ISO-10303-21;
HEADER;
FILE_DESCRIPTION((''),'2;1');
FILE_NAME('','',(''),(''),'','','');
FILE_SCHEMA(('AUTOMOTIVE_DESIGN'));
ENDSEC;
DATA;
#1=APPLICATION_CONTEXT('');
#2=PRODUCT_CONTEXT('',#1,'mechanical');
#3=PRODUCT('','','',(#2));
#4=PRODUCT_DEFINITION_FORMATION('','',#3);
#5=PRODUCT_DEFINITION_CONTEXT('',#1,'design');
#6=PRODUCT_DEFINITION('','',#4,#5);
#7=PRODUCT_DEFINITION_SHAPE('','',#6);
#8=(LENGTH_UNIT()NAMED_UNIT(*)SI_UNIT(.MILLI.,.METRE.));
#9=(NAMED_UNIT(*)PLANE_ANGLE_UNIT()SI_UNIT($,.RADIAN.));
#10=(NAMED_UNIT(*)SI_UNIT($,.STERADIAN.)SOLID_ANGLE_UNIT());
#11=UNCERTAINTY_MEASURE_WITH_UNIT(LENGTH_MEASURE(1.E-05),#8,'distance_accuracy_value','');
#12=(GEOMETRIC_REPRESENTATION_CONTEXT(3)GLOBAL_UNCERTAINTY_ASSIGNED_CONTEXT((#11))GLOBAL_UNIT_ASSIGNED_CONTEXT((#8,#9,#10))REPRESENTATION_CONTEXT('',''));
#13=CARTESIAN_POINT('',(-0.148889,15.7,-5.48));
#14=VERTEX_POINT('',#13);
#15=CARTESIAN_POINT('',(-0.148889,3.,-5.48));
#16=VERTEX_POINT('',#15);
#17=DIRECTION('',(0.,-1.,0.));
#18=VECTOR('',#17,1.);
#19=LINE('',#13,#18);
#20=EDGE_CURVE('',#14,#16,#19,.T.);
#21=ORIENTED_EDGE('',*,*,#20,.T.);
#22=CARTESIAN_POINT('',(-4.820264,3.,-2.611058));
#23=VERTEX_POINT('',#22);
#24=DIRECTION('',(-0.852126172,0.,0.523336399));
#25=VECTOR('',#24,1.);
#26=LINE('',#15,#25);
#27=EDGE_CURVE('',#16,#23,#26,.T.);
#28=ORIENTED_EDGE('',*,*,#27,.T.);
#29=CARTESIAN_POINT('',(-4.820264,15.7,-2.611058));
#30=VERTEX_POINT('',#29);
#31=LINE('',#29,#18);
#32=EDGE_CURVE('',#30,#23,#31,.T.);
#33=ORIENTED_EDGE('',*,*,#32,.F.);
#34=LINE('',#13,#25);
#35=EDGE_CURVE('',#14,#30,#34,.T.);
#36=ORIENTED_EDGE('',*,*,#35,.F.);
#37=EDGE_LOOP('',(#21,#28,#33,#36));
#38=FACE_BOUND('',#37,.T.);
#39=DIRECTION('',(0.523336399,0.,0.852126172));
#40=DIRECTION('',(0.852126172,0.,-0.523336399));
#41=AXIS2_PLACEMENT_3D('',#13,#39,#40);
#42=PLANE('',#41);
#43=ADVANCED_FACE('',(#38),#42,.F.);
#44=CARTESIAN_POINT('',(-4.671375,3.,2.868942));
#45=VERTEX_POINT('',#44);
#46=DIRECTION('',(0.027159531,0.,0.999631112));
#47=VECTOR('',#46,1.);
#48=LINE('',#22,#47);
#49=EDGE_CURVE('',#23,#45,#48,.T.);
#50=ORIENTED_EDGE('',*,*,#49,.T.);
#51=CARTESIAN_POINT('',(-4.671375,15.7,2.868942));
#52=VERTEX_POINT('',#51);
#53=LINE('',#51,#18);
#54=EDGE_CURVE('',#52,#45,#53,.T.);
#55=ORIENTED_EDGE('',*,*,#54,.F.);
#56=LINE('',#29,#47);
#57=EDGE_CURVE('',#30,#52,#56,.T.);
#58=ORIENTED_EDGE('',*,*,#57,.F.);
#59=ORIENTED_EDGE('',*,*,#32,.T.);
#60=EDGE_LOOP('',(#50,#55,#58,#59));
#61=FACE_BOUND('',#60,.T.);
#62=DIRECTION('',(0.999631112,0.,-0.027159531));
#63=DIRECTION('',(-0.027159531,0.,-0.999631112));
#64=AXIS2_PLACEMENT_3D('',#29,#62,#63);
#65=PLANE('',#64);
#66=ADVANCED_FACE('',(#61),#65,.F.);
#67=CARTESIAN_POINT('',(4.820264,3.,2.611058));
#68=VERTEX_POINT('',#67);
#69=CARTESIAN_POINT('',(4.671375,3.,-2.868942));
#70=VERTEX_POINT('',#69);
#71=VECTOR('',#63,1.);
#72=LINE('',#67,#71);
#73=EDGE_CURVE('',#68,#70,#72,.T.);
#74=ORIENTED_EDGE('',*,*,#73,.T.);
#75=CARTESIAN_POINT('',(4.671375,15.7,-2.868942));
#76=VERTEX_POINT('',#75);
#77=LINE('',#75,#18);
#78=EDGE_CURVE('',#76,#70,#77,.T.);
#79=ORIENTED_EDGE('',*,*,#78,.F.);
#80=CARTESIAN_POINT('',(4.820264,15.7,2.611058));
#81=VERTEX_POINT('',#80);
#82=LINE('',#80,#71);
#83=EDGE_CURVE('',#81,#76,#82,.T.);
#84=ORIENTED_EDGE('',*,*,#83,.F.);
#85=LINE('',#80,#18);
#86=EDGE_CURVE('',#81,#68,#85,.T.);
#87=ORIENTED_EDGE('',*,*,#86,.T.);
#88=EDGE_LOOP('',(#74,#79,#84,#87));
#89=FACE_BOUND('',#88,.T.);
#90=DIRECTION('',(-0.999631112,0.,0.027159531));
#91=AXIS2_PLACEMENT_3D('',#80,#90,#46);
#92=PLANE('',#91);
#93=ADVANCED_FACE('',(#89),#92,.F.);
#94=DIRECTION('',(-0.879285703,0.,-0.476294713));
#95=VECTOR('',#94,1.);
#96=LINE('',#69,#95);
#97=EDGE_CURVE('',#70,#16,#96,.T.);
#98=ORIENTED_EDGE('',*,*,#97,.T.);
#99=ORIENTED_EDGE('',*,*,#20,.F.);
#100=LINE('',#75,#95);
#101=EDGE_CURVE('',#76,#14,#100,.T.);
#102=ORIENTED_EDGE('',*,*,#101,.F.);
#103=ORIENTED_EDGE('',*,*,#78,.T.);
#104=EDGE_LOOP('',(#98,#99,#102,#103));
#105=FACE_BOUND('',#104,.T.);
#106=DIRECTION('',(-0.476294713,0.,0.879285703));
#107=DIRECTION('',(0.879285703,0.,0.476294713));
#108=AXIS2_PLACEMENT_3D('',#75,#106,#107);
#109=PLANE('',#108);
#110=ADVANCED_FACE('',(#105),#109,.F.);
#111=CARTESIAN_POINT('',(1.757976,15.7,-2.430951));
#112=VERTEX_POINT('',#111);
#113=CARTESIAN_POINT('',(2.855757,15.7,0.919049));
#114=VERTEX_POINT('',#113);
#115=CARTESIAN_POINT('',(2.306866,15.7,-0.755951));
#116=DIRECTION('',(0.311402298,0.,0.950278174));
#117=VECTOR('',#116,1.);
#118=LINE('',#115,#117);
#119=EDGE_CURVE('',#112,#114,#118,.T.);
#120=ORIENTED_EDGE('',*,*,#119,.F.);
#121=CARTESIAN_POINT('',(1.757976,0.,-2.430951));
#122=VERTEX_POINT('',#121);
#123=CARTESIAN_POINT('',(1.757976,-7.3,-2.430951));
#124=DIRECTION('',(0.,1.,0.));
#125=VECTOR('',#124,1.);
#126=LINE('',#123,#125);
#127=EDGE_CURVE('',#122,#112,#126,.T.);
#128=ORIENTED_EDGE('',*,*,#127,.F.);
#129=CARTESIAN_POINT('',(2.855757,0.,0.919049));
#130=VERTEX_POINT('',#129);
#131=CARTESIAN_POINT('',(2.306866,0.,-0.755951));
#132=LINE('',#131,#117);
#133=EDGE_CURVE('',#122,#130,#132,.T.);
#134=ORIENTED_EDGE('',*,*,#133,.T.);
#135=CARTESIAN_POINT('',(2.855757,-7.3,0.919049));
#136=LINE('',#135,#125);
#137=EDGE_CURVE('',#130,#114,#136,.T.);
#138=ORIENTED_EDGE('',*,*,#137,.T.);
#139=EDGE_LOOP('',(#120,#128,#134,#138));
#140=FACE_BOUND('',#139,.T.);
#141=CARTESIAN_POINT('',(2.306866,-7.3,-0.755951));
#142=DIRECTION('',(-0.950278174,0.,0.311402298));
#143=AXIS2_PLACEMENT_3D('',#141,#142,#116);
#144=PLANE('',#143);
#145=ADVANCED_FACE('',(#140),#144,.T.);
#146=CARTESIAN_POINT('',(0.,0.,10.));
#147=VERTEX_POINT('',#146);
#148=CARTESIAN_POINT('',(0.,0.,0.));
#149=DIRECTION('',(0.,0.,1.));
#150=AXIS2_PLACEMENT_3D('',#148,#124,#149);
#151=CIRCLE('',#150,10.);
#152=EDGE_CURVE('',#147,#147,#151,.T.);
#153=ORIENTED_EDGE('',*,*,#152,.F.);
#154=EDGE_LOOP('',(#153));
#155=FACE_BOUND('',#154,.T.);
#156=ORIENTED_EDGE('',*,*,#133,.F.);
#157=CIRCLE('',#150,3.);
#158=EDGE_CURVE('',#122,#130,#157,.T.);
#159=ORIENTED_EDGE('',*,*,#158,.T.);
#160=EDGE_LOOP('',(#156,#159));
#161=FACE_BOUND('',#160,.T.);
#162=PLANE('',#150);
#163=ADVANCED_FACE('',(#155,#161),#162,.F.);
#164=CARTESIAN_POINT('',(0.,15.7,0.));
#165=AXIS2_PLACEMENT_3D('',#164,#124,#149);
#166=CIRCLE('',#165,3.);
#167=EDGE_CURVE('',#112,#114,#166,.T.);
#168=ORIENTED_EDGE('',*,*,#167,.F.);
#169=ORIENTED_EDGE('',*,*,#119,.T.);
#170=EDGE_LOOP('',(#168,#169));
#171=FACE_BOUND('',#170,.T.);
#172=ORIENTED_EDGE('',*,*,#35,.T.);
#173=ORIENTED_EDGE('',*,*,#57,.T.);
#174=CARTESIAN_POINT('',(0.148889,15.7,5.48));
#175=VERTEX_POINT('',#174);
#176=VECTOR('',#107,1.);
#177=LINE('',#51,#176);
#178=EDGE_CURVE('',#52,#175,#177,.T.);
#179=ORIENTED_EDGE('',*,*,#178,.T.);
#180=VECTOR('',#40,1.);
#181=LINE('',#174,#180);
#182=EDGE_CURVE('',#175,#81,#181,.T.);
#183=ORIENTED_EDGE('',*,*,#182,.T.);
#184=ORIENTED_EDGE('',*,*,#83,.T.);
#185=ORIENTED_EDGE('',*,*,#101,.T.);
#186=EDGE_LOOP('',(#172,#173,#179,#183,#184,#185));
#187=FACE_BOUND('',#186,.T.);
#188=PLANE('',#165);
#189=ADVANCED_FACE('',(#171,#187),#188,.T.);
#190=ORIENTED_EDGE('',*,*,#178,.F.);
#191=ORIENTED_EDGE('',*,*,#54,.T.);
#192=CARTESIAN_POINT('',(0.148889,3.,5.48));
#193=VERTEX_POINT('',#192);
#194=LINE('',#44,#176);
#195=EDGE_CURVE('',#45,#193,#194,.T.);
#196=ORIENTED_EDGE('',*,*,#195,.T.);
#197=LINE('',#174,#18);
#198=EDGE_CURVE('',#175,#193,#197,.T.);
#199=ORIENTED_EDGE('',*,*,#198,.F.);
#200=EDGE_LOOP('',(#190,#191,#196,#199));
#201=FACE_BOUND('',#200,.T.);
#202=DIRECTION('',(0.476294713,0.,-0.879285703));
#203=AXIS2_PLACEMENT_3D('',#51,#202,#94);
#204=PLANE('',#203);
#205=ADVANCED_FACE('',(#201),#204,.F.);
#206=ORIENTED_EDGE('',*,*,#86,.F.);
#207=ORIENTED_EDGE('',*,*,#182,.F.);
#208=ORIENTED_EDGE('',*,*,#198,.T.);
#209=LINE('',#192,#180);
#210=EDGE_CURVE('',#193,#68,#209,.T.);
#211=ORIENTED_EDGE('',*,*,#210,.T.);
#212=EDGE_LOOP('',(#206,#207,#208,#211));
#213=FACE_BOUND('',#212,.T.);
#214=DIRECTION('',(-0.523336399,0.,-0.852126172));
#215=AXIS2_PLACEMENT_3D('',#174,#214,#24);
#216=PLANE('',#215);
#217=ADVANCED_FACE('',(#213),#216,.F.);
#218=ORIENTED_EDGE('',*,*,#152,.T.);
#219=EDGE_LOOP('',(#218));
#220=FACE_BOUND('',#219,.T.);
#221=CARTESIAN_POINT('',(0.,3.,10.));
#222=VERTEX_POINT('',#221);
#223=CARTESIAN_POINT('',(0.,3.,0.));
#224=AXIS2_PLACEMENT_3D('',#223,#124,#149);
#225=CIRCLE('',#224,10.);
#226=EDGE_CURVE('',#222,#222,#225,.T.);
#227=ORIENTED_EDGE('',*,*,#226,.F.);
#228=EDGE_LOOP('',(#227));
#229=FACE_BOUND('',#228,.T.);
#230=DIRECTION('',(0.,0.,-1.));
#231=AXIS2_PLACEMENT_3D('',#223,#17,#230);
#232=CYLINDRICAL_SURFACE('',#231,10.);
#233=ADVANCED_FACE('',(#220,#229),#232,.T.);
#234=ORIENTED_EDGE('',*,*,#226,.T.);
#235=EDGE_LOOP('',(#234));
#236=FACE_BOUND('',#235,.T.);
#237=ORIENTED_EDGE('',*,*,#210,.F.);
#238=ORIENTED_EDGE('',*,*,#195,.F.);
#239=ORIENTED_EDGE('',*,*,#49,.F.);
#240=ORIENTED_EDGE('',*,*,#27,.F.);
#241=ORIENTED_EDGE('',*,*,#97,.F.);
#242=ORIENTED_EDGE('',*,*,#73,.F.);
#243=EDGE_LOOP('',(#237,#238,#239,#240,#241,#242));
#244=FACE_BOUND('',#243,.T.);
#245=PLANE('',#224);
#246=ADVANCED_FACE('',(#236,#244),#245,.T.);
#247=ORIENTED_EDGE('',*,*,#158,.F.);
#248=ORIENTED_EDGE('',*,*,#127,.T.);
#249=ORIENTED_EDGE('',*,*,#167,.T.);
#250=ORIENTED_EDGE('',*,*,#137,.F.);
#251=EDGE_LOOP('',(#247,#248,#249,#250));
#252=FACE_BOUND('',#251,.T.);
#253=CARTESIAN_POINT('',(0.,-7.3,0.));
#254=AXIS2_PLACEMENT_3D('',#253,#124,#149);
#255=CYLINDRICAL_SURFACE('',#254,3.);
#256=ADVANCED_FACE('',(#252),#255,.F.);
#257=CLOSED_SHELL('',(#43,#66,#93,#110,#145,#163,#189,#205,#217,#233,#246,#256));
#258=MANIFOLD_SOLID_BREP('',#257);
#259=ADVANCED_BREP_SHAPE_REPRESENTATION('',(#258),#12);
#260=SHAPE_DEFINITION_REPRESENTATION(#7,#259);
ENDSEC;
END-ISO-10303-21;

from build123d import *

# Parameters (mm, degrees)
SKETCH1_R           = 10
BOSS_EXTRUDE1_DEPTH = 3
BOSS_EXTRUDE2_DEPTH = 12.7
CUT_EXTRUDE1_DEPTH  = 23


with BuildPart() as part:
    # Sketch1 → Boss-Extrude1 (new body)
    with BuildSketch(Plane(origin=(0, 0, 0), x_dir=(1, 0, 0), z_dir=(0, 1, 0))):
        with Locations(Location((0, 0, 0), (0, 0, 270))):
            Circle(SKETCH1_R)
    extrude(amount=BOSS_EXTRUDE1_DEPTH)

    # Sketch2 → Boss-Extrude2 (add)
    with BuildSketch(Plane(origin=(0, 3, 0), x_dir=(1, 0, 0), z_dir=(0, 1, 0))):
        Polygon((0.148889151, -5.48), (4.820263788, -2.611058213), (4.671374637, 2.868941787), (-0.148889151, 5.48), (-4.820263788, 2.611058213), (-4.671374637, -2.868941787), align=None)
    extrude(amount=BOSS_EXTRUDE2_DEPTH)

    # Sketch6 → Cut-Extrude1 (cut)
    with BuildSketch(Plane(origin=(0, 15.7, 0), x_dir=(1, 0, 0), z_dir=(0, 1, 0))):
        with BuildLine():
            Line((2.855757074, -0.919049257), (1.757975678, 2.430950743))
            ThreePointArc((1.757975678, 2.430950743), (-2.850834523, -0.934206895), (2.855757074, -0.919049257))
        make_face()
    extrude(amount=-CUT_EXTRUDE1_DEPTH, mode=Mode.SUBTRACT)


solid = part.part
